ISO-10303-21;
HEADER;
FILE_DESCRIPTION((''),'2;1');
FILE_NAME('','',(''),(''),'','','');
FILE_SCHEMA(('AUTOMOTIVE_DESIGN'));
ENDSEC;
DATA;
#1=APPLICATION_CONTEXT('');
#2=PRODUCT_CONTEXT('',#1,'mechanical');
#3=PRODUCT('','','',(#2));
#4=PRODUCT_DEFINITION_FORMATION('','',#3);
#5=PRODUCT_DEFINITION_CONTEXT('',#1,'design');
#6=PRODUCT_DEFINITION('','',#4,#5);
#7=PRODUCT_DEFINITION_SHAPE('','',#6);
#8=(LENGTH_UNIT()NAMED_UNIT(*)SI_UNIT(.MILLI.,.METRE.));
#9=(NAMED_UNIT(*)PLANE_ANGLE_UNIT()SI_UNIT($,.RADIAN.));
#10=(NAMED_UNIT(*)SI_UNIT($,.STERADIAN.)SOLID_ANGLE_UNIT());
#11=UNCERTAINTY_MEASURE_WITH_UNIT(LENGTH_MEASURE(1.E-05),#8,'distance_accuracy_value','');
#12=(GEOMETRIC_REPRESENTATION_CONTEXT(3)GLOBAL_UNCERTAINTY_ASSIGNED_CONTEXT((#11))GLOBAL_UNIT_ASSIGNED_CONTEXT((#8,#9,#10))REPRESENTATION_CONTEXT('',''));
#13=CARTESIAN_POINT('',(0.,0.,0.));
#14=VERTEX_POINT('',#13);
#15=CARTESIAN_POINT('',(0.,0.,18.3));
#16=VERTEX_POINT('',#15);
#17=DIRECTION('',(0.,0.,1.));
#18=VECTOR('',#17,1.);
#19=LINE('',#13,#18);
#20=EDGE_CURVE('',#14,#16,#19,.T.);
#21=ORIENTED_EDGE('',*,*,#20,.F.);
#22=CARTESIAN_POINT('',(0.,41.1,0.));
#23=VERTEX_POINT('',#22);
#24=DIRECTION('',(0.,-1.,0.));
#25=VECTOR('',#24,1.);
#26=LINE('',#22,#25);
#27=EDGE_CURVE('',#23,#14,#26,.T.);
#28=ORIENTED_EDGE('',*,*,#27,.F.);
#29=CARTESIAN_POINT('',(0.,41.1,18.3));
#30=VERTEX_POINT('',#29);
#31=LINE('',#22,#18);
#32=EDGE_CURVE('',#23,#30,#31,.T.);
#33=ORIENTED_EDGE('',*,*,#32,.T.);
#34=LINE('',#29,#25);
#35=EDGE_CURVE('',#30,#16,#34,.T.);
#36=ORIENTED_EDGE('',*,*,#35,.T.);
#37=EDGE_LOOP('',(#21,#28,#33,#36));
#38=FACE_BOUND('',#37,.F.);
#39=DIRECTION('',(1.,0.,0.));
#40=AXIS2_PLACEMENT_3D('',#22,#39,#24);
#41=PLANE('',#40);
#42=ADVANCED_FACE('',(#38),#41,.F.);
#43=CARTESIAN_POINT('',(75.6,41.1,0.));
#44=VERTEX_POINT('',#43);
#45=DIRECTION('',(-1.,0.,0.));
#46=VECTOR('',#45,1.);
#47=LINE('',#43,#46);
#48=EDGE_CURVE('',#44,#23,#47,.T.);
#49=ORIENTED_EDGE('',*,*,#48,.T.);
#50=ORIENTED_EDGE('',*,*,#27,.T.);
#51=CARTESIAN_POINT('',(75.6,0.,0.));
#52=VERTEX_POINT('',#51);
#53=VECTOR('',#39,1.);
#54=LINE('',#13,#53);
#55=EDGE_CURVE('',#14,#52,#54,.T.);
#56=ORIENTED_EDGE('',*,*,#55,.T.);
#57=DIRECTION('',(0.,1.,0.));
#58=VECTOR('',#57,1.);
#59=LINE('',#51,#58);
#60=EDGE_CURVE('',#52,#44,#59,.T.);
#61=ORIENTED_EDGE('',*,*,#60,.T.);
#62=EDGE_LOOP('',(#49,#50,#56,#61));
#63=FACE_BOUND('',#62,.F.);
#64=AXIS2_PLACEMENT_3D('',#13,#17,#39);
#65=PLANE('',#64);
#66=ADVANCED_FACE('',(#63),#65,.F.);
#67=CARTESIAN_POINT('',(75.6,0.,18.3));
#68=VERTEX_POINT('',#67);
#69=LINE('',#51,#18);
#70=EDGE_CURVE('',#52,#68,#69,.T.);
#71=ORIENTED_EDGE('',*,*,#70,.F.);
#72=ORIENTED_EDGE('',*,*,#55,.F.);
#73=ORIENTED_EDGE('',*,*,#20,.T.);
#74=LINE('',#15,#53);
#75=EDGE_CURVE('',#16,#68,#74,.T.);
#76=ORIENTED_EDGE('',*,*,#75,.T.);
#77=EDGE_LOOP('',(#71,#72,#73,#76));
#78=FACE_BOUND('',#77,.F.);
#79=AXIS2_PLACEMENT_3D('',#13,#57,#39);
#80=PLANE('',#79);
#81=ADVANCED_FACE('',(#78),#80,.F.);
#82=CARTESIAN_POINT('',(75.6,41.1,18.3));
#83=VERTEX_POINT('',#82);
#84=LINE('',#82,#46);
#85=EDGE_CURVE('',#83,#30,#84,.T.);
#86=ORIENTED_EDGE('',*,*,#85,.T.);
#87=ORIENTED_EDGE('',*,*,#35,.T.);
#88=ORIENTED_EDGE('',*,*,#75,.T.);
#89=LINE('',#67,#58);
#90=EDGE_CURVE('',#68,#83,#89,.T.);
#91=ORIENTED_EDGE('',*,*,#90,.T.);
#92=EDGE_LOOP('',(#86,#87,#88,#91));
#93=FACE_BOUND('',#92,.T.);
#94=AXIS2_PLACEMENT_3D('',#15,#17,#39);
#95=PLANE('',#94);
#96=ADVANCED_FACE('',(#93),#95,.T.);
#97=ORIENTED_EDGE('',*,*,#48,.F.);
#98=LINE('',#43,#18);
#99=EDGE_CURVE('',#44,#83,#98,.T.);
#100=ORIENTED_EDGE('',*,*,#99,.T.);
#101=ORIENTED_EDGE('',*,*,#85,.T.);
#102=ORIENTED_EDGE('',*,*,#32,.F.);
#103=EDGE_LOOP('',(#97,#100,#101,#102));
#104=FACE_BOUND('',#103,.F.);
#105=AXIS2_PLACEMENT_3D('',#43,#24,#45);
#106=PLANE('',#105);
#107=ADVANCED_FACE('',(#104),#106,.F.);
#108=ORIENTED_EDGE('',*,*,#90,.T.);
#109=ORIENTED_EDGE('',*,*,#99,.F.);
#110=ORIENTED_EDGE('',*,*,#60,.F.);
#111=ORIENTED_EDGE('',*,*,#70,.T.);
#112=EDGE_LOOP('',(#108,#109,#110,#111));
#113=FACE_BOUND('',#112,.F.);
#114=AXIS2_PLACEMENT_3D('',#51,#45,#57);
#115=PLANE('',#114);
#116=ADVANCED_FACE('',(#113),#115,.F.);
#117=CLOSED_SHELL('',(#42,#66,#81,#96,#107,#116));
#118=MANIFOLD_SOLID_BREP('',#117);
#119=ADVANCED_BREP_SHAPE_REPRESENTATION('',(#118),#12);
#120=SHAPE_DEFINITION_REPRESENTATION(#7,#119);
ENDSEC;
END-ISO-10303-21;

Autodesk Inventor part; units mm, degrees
ref_plane "YZ Plane" through (0, 0, 0) normal (1, 0, 0) x (0, 1, 0)
ref_plane "XZ Plane" through (0, 0, 0) normal (0, 1, 0) x (-1, 0, 0)
ref_plane "XY Plane" through (0, 0, 0) normal (0, 0, 1) x (1, 0, 0)
sketch "Sketch1" plane through (0, 0, 0) normal (0, 0, 1) x (1, 0, 0)
  line L0 (0, 0) -> (75.6, 0)
  line L1 (75.6, 0) -> (75.6, 41.1)
  line L2 (75.6, 41.1) -> (0, 41.1)
  line L3 (0, 41.1) -> (0, 0)
  dimension "d0" = 75.6
  dimension "d1" = 41.1
extrude "Extrusion1" add sketch "Sketch1" along normal blind 18.3
properties part number "battery_case"
